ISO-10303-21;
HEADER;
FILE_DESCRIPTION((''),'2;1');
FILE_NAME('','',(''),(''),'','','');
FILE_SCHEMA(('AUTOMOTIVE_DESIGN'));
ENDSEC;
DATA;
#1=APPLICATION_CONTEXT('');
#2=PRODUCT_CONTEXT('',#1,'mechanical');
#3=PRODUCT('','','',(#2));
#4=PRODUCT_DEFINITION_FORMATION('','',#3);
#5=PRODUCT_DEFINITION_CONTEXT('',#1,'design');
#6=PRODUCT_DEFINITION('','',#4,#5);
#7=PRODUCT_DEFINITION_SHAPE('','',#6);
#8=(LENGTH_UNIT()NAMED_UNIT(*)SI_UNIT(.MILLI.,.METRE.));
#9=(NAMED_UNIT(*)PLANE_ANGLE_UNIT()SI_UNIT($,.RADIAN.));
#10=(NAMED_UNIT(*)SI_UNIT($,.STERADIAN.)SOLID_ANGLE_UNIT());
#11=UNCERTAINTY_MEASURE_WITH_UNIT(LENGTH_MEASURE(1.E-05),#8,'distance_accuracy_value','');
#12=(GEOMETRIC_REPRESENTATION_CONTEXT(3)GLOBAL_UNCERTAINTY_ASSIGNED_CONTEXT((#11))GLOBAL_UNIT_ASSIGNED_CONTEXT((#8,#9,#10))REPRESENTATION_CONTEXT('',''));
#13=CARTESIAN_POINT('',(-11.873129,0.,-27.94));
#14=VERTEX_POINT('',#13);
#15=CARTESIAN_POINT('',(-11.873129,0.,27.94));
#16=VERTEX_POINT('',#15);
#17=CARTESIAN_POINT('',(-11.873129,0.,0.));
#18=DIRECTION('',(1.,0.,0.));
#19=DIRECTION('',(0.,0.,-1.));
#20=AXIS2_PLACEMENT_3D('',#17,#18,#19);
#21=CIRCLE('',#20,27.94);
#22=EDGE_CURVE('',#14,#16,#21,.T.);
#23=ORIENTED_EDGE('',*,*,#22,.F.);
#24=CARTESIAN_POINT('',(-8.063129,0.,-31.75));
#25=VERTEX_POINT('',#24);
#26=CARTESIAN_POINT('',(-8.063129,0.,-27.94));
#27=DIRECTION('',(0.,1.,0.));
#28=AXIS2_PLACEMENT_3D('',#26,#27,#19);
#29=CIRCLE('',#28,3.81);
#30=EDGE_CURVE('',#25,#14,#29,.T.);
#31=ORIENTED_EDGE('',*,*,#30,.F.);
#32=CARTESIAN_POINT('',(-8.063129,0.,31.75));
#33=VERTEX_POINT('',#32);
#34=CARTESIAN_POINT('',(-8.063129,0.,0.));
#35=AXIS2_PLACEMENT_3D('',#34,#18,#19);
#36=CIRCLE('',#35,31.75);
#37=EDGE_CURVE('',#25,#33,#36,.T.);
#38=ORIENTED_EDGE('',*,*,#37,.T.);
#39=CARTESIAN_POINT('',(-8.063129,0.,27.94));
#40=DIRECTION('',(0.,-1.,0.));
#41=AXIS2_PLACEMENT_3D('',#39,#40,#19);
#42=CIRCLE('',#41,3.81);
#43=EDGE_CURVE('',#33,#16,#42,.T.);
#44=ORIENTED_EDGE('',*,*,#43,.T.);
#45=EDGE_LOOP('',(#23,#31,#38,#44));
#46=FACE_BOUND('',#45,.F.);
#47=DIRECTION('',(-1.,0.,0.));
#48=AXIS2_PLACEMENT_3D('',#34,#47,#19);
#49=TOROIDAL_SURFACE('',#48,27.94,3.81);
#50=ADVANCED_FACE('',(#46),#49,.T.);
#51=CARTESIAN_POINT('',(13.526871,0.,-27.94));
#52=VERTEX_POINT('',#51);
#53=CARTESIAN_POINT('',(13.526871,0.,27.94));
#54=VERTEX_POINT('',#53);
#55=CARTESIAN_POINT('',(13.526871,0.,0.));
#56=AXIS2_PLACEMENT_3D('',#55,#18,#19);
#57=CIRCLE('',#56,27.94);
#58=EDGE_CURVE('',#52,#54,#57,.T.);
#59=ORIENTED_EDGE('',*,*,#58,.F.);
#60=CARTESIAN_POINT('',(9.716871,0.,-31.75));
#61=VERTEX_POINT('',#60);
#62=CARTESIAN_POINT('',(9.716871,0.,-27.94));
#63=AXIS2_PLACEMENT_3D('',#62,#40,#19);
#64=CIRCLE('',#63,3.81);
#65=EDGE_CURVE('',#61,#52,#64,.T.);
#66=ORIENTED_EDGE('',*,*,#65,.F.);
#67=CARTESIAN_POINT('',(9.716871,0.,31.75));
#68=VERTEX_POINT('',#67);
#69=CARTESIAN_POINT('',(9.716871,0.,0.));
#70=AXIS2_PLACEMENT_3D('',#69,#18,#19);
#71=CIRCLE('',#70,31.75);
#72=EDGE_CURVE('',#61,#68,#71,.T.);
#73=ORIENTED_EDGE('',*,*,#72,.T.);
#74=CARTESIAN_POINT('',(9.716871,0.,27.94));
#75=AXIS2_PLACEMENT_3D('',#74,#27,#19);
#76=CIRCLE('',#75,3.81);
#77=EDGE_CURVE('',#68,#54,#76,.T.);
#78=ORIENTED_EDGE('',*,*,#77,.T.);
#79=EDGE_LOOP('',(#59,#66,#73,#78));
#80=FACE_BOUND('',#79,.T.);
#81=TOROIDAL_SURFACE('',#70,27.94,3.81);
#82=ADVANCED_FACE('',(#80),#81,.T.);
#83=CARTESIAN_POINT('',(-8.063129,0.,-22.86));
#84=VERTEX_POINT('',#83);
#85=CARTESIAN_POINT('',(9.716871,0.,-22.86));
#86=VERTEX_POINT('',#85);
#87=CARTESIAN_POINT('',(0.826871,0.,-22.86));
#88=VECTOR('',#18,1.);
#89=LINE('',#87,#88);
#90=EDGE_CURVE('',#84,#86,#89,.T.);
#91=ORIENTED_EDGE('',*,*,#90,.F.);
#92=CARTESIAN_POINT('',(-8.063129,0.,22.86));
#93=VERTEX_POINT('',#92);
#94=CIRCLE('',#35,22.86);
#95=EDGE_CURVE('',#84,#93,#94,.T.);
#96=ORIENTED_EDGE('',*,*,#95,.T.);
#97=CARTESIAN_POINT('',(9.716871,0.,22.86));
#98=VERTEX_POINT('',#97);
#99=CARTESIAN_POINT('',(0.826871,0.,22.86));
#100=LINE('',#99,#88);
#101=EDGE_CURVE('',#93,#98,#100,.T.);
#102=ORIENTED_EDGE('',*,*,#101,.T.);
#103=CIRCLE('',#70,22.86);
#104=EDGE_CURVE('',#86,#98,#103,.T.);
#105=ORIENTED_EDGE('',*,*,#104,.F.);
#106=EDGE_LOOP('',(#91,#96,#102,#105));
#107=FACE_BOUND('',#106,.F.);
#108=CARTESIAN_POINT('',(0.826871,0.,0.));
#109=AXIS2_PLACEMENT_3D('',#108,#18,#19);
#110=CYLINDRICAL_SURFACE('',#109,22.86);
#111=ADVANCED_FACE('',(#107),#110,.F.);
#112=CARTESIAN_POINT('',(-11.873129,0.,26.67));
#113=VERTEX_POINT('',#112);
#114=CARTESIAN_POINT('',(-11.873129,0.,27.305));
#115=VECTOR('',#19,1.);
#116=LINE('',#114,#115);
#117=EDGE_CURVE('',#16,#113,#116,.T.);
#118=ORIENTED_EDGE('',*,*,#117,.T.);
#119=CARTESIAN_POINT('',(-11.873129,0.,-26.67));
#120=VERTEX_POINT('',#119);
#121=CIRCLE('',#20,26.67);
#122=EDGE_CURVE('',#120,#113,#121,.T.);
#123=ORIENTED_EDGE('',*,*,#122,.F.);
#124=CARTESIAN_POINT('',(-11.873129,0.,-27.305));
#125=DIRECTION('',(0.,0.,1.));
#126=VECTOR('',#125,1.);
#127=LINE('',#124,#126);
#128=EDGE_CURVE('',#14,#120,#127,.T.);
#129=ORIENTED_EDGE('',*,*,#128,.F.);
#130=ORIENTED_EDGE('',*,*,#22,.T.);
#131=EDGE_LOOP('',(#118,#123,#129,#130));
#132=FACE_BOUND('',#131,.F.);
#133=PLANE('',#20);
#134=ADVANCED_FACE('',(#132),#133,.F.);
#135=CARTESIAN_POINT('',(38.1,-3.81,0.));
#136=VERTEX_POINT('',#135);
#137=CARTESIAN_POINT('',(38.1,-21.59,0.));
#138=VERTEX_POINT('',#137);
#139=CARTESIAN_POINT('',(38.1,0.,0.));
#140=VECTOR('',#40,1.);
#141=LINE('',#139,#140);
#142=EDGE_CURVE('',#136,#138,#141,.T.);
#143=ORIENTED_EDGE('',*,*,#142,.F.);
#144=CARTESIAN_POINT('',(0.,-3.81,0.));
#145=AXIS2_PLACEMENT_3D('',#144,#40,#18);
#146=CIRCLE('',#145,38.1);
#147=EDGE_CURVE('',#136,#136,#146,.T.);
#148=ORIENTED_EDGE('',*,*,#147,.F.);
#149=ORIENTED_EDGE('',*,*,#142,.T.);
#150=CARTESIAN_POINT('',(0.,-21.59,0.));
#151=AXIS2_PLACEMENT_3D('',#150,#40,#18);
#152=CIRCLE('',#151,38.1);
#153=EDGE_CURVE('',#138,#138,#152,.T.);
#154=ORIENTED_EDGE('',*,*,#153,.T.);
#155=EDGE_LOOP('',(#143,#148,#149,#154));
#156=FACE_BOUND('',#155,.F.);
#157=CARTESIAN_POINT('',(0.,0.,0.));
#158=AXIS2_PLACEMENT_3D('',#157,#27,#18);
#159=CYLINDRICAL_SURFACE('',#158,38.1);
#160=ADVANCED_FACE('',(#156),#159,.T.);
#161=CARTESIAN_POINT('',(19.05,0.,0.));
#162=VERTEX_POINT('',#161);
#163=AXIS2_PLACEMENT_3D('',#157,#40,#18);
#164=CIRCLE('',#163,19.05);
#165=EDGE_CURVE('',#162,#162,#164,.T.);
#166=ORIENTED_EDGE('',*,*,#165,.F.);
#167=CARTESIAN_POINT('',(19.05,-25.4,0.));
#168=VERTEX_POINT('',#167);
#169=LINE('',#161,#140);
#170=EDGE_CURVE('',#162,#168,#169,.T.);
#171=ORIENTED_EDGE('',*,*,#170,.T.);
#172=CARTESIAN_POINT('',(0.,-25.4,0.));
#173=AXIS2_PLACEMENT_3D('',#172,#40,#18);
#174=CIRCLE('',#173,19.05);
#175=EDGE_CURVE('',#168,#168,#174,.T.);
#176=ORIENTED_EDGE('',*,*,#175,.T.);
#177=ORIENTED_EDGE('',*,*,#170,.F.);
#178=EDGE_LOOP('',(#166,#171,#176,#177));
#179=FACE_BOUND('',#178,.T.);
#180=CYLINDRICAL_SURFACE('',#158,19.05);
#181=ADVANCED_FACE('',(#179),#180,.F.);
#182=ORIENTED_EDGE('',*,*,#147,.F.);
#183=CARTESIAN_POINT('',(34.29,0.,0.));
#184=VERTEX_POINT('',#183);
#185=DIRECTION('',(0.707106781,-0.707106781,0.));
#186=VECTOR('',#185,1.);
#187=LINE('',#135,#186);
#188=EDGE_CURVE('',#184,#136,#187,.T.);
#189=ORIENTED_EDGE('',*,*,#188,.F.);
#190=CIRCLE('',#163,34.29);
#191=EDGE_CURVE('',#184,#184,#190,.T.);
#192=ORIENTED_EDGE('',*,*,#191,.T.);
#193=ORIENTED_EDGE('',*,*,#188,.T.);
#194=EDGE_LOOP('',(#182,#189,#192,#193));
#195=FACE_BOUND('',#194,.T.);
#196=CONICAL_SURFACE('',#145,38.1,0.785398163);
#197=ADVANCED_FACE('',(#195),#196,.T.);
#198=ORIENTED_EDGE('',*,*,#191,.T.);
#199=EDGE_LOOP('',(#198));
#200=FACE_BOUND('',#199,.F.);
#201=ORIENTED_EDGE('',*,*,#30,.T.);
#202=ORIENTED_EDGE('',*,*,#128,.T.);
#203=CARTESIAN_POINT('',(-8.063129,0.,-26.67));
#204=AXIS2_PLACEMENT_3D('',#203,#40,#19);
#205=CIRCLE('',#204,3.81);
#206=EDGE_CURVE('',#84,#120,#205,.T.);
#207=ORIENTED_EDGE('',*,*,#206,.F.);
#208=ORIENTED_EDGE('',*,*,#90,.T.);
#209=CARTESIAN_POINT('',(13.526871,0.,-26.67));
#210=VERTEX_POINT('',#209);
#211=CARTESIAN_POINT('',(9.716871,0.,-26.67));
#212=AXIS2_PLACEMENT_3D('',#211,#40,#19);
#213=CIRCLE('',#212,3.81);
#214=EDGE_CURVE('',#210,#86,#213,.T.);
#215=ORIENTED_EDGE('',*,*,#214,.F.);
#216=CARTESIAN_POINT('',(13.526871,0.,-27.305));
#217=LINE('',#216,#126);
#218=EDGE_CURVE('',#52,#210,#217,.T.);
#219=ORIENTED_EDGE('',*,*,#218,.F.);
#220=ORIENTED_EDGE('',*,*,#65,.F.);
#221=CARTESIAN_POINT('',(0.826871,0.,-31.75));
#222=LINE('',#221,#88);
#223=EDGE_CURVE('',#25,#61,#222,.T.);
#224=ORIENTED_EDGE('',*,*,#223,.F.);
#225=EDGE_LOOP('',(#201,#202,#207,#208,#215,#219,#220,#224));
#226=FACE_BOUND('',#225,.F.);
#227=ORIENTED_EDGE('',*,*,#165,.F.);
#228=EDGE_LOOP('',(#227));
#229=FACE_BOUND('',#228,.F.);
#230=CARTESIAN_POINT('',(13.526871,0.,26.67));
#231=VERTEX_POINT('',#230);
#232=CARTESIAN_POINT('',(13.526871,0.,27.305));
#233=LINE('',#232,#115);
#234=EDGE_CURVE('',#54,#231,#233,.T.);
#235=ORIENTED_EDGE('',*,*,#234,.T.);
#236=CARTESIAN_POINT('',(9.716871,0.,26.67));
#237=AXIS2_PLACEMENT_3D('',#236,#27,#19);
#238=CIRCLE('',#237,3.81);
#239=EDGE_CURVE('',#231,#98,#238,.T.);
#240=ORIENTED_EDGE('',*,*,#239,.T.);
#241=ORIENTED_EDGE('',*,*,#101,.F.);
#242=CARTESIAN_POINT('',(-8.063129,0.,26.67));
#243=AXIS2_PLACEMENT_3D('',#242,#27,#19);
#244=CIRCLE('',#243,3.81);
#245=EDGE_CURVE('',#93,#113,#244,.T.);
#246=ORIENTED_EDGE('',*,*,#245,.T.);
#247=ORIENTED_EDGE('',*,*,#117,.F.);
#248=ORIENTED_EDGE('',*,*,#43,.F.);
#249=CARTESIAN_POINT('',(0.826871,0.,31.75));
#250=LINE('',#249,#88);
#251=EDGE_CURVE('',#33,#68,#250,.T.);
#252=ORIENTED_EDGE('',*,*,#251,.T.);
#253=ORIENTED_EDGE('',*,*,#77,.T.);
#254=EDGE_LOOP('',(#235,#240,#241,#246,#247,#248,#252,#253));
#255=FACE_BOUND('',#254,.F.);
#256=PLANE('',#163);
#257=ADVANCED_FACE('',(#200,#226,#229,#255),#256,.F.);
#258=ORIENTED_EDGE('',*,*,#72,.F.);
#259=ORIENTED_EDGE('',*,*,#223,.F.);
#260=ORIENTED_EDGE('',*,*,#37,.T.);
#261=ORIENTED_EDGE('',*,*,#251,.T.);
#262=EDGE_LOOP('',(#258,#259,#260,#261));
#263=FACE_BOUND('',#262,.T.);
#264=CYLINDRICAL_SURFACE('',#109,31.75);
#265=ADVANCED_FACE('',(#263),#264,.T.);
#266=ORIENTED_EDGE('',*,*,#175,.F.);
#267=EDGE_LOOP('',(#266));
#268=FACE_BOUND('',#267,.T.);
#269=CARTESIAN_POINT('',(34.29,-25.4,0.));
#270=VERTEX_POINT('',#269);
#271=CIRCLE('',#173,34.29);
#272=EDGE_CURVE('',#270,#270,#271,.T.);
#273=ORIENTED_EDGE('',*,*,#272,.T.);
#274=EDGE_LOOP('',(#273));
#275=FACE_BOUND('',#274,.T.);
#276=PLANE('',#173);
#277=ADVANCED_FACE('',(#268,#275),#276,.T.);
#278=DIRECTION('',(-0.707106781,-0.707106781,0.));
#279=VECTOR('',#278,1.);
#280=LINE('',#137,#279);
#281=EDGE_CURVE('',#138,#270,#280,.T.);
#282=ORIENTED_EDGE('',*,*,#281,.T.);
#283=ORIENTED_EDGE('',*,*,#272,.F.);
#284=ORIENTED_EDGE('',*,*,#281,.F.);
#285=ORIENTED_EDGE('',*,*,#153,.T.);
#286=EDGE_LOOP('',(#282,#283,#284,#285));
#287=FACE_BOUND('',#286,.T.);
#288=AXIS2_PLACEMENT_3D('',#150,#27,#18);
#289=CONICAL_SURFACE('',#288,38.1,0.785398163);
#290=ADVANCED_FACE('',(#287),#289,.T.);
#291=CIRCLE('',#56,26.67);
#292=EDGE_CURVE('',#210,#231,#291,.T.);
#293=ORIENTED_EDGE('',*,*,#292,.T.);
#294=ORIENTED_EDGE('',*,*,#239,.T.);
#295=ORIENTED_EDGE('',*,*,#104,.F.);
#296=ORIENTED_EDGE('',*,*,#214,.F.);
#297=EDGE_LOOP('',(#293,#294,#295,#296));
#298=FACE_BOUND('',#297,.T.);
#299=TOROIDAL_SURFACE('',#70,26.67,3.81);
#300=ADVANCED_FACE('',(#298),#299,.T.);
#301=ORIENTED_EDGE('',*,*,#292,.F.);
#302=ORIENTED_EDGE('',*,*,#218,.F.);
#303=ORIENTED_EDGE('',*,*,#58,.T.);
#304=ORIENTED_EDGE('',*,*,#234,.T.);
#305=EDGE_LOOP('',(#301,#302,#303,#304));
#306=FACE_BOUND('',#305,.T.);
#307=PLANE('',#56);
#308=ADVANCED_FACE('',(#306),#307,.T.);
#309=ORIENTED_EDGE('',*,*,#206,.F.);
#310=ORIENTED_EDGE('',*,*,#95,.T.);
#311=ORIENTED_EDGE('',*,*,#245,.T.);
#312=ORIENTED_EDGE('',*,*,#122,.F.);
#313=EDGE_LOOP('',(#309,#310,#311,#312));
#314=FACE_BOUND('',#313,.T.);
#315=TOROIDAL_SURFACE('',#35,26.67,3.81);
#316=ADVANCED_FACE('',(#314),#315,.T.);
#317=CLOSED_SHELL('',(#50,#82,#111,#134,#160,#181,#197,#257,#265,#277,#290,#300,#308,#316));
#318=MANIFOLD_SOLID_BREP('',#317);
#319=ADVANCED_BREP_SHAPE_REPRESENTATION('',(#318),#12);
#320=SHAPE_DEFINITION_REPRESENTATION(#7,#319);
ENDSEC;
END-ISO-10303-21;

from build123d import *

# Parameters (mm, degrees)
F0_R     = 38.1
F0_R_2   = 19.05
F1_DEPTH = 25.4
F2_W     = 25.4
F2_H     = 8.89
F3_ANGLE = 180
F4_R     = 3.81
F5_SIZE  = 3.81


with BuildPart() as f1:
    # F0 (on Front) → F1 (new body)
    with BuildSketch(Plane.XZ):
        Circle(F0_R)
        Circle(F0_R_2, mode=Mode.SUBTRACT)
    extrude(amount=F1_DEPTH)

    # F2 (on Front) → F3 (revolve)
    with BuildSketch(Plane.XZ):
        with Locations((0.826871, -27.305)):
            Rectangle(F2_W, F2_H)
    revolve(axis=Axis((0.153273, 0, 0), (1, 0, 0)), revolution_arc=F3_ANGLE)

    # F4
    f4_edges = [f1.edges().sort_by_distance(p)[0] for p in [
        (13.526871, 31.75, 0),
        (-11.873129, 31.75, 0),
        (-11.873129, 22.86, 0),
        (13.526871, 22.86, 0),
    ]]
    fillet(f4_edges, radius=F4_R)

    # F5
    f5_edges = [f1.edges().sort_by_distance(p)[0] for p in [
        (-38.1, 0, 0),
        (-38.1, -25.4, 0),
    ]]
    chamfer(f5_edges, length=F5_SIZE)


solid = f1.part
